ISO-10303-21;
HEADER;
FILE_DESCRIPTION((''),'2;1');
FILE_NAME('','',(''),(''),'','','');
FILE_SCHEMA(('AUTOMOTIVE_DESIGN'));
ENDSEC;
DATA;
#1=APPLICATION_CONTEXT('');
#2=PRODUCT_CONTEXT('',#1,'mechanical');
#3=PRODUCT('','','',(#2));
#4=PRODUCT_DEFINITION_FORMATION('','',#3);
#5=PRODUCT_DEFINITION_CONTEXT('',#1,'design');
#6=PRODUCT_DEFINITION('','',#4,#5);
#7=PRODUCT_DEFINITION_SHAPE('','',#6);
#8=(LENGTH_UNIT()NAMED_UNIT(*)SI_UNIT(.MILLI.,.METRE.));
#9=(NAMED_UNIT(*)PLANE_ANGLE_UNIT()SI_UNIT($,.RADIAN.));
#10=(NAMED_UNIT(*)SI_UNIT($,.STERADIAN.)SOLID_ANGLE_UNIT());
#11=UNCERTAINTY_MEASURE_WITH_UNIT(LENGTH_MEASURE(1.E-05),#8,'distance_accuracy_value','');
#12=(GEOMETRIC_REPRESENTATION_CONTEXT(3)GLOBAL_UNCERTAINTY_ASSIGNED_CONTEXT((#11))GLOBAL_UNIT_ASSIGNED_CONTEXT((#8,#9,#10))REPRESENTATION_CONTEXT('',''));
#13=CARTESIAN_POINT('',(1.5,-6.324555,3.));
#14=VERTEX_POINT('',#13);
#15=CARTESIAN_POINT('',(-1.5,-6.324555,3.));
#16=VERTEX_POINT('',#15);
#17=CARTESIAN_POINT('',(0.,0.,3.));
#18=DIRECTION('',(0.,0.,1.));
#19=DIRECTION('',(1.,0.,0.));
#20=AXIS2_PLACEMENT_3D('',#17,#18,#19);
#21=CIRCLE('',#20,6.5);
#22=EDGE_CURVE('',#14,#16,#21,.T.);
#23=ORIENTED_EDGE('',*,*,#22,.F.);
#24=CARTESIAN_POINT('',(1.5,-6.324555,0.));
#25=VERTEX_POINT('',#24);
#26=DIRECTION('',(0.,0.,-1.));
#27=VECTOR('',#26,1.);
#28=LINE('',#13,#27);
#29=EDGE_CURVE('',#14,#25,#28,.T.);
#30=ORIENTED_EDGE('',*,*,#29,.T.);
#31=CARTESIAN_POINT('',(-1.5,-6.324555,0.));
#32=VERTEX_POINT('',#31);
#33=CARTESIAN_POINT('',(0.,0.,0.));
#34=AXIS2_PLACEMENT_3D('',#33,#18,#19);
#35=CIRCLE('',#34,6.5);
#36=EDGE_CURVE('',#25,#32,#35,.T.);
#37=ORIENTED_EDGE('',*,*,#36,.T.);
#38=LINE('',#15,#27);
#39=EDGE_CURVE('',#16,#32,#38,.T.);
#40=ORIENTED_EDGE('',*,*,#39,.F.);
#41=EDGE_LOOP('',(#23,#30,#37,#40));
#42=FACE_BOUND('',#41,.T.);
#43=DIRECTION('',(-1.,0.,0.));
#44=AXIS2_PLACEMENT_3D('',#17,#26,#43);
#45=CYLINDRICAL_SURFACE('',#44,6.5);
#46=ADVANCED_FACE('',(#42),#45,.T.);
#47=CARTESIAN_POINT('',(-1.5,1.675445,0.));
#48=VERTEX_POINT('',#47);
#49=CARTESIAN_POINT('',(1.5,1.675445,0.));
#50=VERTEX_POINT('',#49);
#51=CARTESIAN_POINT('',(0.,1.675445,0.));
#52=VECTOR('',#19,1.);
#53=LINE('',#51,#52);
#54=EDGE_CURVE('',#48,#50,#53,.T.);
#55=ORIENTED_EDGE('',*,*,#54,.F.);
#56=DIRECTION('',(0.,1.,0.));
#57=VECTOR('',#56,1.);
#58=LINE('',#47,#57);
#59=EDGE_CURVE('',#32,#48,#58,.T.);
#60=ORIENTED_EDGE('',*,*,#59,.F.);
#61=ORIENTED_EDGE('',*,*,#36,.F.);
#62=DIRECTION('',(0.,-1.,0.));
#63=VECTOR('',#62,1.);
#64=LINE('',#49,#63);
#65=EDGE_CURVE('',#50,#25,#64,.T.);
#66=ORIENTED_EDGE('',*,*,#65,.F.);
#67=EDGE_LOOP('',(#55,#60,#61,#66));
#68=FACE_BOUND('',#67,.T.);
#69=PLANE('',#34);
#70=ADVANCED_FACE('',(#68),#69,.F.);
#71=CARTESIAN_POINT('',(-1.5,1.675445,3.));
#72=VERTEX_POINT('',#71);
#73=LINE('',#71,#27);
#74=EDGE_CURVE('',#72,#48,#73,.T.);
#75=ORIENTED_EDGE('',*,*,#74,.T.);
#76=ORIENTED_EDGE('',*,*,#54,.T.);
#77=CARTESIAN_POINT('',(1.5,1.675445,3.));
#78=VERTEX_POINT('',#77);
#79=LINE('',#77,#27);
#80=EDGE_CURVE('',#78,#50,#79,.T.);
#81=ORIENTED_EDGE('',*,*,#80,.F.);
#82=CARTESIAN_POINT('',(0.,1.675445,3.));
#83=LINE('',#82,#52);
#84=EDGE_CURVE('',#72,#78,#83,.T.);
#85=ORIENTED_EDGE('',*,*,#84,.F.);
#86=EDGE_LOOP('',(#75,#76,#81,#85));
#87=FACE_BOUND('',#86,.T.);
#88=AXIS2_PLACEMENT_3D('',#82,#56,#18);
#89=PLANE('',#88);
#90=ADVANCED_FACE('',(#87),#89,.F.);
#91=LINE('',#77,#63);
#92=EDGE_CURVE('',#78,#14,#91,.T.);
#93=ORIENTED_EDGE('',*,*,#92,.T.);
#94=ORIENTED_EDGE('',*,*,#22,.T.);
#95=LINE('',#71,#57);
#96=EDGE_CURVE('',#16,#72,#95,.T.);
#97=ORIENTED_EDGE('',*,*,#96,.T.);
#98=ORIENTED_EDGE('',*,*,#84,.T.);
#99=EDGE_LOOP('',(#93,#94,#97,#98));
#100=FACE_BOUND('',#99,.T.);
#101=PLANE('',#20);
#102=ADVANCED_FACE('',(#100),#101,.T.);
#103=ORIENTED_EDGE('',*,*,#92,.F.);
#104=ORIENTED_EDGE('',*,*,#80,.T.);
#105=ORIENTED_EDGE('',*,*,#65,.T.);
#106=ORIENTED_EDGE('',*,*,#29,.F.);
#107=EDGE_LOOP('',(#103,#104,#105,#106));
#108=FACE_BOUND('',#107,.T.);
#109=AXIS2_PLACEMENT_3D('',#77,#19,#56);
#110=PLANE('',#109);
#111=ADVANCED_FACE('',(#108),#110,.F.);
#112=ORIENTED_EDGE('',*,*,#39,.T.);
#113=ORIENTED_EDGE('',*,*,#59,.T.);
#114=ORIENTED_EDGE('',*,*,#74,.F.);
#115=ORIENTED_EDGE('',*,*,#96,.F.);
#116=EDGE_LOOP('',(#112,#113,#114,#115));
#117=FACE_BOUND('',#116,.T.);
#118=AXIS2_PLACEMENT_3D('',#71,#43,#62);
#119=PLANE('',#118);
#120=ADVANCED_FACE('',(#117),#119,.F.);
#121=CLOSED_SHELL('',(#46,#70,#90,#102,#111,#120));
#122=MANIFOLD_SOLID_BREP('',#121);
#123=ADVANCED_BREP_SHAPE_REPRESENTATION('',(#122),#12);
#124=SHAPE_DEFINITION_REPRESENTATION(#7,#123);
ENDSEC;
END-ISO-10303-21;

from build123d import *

# Parameters (mm, degrees)
BASE_EXTRUDE_DEPTH = 3


with BuildPart() as part:
    # Sketch1 → Base-Extrude (new body)
    with BuildSketch(Plane.XY):
        with BuildLine():
            Line((0, 1.67544468), (1.5, 1.67544468))
            Line((1.5, 1.67544468), (1.5, -6.32455532))
            ThreePointArc((1.5, -6.32455532), (0, 6.5), (-1.5, -6.32455532))
            Line((-1.5, -6.32455532), (-1.5, 1.67544468))
            Line((-1.5, 1.67544468), (0, 1.67544468))
        make_face()
    extrude(amount=BASE_EXTRUDE_DEPTH)


solid = part.part
